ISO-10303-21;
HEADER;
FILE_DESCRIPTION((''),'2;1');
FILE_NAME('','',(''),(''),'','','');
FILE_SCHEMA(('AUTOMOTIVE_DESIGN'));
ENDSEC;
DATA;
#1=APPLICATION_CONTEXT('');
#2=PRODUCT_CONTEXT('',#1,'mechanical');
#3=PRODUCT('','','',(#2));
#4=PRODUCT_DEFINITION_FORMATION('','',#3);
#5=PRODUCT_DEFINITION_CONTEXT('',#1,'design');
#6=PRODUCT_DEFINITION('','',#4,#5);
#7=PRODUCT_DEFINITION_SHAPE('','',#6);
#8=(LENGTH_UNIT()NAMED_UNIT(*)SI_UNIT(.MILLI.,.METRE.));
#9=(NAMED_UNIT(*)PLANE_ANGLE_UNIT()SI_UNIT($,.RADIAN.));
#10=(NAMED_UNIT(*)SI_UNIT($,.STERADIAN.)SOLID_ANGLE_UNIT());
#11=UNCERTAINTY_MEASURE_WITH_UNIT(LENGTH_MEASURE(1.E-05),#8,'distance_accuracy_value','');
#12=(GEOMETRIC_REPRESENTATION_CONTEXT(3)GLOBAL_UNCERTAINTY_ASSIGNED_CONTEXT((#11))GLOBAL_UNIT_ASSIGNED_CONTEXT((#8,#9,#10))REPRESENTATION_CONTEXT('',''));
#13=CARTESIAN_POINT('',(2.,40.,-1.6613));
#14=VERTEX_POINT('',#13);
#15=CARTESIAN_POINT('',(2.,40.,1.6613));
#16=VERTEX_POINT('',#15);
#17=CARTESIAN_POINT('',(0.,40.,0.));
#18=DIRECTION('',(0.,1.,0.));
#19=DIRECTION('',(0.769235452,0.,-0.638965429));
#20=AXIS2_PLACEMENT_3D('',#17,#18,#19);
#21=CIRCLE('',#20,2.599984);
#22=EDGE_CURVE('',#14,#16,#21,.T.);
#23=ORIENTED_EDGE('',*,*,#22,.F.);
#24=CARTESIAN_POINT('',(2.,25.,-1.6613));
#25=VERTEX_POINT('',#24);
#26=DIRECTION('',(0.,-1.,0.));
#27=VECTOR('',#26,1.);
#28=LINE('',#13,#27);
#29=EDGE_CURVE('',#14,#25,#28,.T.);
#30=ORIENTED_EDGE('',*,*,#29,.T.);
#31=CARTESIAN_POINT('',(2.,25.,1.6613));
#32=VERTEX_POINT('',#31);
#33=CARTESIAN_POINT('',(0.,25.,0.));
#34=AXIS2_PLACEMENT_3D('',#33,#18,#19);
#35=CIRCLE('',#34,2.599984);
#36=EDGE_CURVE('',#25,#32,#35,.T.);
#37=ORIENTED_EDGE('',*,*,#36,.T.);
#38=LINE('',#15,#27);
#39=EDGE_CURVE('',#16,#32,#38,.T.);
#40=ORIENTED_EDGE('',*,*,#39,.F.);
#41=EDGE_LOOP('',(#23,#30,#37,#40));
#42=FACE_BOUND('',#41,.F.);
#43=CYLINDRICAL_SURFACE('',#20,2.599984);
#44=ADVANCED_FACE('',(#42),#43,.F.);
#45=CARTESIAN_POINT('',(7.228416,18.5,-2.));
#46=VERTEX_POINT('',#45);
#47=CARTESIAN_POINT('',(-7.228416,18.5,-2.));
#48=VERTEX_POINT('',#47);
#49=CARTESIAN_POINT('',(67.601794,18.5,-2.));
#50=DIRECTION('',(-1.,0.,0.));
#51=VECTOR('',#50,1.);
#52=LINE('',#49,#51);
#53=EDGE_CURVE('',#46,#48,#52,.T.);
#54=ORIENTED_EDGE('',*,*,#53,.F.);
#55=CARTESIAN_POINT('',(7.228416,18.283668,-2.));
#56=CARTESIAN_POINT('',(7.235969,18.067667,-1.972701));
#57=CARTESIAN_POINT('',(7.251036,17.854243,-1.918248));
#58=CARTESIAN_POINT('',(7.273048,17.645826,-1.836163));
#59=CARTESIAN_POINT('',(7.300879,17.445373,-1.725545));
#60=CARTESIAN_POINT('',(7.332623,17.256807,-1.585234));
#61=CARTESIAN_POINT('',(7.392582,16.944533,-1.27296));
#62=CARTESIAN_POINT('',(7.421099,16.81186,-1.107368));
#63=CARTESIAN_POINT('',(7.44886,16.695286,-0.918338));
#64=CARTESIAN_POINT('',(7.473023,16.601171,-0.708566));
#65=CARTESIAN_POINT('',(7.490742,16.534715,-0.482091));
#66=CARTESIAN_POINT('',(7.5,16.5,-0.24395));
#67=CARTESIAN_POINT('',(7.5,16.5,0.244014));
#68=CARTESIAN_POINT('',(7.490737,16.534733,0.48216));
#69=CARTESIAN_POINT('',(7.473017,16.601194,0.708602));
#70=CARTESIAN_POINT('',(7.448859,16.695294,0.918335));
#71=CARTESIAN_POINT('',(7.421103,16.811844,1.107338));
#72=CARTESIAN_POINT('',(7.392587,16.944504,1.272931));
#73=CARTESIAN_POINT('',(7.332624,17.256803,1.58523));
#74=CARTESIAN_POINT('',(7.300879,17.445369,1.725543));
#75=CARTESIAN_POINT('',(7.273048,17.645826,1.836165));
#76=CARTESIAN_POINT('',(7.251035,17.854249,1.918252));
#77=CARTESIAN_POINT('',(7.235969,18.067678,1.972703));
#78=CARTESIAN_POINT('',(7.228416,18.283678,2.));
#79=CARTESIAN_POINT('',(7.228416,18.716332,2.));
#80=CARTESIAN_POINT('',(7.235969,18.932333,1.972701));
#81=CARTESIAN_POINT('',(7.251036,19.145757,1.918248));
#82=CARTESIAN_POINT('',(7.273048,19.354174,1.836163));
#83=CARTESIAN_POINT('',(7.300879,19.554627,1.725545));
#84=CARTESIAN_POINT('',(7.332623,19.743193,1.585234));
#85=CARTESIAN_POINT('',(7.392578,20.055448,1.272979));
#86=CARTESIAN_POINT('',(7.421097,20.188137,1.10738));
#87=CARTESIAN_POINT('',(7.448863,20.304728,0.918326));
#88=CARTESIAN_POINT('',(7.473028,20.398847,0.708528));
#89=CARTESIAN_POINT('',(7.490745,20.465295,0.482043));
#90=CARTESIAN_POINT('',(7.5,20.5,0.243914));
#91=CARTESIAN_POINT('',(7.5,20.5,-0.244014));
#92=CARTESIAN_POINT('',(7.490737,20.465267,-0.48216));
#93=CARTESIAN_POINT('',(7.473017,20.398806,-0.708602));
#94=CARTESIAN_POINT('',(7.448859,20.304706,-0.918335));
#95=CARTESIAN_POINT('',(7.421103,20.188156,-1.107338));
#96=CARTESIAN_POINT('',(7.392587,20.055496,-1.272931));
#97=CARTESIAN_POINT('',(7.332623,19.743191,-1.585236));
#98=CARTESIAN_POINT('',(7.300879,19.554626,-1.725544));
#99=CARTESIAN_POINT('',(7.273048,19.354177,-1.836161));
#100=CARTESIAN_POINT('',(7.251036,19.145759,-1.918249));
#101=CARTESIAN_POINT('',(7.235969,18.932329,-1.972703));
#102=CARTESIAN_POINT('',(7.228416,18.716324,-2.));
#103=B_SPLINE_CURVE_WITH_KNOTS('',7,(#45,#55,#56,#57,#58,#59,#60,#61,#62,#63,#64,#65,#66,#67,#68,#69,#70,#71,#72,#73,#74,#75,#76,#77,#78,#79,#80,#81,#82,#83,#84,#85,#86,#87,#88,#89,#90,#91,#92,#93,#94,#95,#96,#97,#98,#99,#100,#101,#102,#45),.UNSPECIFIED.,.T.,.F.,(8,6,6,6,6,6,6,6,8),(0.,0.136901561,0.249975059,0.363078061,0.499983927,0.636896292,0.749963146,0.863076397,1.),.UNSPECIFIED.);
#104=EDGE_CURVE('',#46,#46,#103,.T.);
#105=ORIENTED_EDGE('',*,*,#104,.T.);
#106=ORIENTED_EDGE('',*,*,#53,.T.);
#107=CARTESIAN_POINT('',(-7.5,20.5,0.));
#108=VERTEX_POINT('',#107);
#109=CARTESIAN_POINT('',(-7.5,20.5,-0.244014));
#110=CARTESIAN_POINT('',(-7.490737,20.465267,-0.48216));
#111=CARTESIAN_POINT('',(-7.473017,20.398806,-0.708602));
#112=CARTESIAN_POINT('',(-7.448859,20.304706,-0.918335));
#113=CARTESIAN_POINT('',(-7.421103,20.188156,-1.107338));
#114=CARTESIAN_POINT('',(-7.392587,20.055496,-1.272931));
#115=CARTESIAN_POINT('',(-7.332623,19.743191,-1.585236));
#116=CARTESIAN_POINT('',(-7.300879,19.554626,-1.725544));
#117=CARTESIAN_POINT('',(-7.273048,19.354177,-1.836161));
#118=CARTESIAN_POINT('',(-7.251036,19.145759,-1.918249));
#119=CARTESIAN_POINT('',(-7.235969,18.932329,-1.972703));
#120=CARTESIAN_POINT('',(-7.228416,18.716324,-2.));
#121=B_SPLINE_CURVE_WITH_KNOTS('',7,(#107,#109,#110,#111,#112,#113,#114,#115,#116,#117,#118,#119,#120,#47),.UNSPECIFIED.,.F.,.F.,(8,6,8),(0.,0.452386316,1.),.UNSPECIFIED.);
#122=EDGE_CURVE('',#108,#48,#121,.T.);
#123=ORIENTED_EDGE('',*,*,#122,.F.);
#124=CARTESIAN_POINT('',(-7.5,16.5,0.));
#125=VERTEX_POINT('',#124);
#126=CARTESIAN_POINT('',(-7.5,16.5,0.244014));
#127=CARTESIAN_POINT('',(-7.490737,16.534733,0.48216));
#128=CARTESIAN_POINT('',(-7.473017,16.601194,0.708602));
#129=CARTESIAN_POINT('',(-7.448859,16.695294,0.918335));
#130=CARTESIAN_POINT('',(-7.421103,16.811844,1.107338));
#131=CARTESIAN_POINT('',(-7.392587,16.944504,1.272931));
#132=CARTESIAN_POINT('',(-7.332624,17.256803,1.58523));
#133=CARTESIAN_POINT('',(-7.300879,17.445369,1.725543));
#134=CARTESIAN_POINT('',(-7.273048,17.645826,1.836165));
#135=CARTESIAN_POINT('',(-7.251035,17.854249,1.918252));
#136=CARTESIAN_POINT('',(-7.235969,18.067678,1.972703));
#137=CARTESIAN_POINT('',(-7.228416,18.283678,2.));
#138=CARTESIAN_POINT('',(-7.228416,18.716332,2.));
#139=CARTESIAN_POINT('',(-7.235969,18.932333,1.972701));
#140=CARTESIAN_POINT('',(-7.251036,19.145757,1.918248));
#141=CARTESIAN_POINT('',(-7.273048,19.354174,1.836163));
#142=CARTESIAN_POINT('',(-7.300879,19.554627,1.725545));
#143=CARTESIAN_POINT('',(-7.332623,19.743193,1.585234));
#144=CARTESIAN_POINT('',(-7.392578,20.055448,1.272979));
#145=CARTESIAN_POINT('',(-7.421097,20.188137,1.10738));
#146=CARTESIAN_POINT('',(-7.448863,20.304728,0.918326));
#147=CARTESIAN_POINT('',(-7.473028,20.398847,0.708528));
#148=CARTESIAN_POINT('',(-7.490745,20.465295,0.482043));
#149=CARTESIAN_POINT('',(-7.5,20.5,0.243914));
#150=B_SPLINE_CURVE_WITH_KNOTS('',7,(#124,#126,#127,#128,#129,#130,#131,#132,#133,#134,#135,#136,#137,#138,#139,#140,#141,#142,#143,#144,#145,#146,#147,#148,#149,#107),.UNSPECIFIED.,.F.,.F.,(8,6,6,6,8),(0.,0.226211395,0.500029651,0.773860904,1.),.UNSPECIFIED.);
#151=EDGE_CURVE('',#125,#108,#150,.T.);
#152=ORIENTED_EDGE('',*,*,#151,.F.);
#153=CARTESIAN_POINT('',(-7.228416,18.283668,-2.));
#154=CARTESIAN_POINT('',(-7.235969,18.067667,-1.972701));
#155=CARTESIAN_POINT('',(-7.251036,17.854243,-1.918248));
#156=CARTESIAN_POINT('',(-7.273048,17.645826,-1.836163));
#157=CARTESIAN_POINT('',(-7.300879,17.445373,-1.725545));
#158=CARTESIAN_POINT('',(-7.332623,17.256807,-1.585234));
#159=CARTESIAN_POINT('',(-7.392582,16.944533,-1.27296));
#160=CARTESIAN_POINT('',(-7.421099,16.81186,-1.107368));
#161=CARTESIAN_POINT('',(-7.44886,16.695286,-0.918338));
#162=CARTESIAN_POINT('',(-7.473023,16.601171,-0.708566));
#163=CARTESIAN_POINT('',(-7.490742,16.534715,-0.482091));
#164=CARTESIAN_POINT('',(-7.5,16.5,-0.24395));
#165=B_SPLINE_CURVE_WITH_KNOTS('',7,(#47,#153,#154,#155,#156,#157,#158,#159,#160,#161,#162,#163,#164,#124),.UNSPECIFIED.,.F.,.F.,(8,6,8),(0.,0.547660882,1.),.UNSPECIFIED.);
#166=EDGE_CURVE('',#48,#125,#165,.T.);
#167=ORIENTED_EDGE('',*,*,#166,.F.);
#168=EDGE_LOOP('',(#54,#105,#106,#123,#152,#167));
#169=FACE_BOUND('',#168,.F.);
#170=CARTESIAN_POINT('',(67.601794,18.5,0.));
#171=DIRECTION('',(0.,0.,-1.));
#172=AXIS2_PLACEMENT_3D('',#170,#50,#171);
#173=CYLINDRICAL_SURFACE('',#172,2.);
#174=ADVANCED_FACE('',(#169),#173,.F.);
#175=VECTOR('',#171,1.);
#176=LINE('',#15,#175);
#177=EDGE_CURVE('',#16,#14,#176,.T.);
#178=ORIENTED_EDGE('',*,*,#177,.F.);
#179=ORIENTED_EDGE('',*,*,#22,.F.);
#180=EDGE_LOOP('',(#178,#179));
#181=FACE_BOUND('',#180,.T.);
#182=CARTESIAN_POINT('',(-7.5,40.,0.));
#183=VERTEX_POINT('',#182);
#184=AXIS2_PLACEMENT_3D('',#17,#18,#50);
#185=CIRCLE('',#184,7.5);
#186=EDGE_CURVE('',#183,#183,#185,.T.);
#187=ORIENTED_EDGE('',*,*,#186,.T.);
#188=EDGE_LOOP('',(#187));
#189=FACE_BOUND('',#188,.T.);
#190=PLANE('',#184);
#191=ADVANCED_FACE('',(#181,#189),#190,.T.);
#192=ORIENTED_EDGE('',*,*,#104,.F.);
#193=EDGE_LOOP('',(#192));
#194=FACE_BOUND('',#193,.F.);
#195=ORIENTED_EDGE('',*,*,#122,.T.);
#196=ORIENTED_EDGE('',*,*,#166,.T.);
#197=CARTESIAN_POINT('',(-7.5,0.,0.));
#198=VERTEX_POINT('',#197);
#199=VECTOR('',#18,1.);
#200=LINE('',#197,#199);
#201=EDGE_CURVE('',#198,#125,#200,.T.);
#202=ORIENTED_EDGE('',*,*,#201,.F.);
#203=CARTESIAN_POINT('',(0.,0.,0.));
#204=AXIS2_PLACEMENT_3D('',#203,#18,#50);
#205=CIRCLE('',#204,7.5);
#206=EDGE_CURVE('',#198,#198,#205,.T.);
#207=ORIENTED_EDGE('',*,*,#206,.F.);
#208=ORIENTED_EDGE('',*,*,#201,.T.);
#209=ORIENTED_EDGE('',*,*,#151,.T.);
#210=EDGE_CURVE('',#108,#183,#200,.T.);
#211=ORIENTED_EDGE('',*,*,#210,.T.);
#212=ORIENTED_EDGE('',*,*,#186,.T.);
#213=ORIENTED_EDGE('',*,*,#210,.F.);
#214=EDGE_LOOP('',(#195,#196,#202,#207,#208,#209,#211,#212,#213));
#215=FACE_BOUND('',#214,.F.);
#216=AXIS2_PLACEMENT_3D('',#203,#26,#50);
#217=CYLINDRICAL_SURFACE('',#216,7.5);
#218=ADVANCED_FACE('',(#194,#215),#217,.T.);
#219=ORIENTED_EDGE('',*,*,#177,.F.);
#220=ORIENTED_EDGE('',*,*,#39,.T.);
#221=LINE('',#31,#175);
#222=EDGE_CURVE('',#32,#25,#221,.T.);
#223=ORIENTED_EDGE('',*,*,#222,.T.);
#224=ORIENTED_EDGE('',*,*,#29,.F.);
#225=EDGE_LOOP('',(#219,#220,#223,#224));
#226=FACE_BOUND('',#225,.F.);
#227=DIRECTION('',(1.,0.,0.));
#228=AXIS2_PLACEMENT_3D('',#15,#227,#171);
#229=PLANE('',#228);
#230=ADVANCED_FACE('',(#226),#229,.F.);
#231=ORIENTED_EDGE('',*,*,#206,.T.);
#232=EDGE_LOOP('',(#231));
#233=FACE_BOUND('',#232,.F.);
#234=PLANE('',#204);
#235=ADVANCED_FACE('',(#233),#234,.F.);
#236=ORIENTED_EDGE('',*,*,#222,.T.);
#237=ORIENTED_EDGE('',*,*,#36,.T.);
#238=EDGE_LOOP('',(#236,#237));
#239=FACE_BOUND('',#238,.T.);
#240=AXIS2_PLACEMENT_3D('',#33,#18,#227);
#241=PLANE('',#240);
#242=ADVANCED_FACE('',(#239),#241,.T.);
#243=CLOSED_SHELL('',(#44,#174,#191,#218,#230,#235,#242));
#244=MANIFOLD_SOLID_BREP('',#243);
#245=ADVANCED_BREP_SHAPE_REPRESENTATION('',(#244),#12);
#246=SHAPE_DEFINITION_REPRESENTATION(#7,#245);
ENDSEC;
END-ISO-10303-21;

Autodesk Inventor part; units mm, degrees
ref_plane "YZ Plane" through (0, 0, 0) normal (1, 0, 0) x (0, 1, 0)
ref_plane "XZ Plane" through (0, 0, 0) normal (0, 1, 0) x (-1, 0, 0)
ref_plane "XY Plane" through (0, 0, 0) normal (0, 0, 1) x (1, 0, 0)
sketch "Skizze1" plane through (0, 0, 0) normal (0, 1, 0) x (-1, 0, 0)
  circle A0 centre (0, 0) radius 7.5
  dimension "d0" = 15
extrude "Extrusion1" add sketch "Skizze1" along normal blind 40
sketch "Skizze2" plane through (0, 40, 0) normal (0, 1, 0) x (1, 0, 0)
  arc A0 (2, 1.6613) -> (2, -1.6613) centre (0, 0) ccw
  line L0 (2, -1.6613) -> (2, 1.6613)
  dimension "d3" = 5.2
  dimension "d4" = 4.6
extrude "Extrusion2" cut sketch "Skizze2" against normal blind 15
sketch "Skizze3" plane through (0, 0, 0) normal (1, 0, 0) x (0, 1, 0)
  line L0 (-8, 0) -> (48, 0) construction
  line L1 (40, -7.5) -> (40, 7.5) projected
  line L2 (0, 7.5) -> (0, -7.5) projected
  point P0 (0, 0)
  point P1 (18.5, 0)
  dimension "d7" = 21.5
hole "Bohrung1" at (0, 18.5, 0) direction (-1, 0, 0) diameter 4 end through all both
properties part number "Motor_Spiral"
